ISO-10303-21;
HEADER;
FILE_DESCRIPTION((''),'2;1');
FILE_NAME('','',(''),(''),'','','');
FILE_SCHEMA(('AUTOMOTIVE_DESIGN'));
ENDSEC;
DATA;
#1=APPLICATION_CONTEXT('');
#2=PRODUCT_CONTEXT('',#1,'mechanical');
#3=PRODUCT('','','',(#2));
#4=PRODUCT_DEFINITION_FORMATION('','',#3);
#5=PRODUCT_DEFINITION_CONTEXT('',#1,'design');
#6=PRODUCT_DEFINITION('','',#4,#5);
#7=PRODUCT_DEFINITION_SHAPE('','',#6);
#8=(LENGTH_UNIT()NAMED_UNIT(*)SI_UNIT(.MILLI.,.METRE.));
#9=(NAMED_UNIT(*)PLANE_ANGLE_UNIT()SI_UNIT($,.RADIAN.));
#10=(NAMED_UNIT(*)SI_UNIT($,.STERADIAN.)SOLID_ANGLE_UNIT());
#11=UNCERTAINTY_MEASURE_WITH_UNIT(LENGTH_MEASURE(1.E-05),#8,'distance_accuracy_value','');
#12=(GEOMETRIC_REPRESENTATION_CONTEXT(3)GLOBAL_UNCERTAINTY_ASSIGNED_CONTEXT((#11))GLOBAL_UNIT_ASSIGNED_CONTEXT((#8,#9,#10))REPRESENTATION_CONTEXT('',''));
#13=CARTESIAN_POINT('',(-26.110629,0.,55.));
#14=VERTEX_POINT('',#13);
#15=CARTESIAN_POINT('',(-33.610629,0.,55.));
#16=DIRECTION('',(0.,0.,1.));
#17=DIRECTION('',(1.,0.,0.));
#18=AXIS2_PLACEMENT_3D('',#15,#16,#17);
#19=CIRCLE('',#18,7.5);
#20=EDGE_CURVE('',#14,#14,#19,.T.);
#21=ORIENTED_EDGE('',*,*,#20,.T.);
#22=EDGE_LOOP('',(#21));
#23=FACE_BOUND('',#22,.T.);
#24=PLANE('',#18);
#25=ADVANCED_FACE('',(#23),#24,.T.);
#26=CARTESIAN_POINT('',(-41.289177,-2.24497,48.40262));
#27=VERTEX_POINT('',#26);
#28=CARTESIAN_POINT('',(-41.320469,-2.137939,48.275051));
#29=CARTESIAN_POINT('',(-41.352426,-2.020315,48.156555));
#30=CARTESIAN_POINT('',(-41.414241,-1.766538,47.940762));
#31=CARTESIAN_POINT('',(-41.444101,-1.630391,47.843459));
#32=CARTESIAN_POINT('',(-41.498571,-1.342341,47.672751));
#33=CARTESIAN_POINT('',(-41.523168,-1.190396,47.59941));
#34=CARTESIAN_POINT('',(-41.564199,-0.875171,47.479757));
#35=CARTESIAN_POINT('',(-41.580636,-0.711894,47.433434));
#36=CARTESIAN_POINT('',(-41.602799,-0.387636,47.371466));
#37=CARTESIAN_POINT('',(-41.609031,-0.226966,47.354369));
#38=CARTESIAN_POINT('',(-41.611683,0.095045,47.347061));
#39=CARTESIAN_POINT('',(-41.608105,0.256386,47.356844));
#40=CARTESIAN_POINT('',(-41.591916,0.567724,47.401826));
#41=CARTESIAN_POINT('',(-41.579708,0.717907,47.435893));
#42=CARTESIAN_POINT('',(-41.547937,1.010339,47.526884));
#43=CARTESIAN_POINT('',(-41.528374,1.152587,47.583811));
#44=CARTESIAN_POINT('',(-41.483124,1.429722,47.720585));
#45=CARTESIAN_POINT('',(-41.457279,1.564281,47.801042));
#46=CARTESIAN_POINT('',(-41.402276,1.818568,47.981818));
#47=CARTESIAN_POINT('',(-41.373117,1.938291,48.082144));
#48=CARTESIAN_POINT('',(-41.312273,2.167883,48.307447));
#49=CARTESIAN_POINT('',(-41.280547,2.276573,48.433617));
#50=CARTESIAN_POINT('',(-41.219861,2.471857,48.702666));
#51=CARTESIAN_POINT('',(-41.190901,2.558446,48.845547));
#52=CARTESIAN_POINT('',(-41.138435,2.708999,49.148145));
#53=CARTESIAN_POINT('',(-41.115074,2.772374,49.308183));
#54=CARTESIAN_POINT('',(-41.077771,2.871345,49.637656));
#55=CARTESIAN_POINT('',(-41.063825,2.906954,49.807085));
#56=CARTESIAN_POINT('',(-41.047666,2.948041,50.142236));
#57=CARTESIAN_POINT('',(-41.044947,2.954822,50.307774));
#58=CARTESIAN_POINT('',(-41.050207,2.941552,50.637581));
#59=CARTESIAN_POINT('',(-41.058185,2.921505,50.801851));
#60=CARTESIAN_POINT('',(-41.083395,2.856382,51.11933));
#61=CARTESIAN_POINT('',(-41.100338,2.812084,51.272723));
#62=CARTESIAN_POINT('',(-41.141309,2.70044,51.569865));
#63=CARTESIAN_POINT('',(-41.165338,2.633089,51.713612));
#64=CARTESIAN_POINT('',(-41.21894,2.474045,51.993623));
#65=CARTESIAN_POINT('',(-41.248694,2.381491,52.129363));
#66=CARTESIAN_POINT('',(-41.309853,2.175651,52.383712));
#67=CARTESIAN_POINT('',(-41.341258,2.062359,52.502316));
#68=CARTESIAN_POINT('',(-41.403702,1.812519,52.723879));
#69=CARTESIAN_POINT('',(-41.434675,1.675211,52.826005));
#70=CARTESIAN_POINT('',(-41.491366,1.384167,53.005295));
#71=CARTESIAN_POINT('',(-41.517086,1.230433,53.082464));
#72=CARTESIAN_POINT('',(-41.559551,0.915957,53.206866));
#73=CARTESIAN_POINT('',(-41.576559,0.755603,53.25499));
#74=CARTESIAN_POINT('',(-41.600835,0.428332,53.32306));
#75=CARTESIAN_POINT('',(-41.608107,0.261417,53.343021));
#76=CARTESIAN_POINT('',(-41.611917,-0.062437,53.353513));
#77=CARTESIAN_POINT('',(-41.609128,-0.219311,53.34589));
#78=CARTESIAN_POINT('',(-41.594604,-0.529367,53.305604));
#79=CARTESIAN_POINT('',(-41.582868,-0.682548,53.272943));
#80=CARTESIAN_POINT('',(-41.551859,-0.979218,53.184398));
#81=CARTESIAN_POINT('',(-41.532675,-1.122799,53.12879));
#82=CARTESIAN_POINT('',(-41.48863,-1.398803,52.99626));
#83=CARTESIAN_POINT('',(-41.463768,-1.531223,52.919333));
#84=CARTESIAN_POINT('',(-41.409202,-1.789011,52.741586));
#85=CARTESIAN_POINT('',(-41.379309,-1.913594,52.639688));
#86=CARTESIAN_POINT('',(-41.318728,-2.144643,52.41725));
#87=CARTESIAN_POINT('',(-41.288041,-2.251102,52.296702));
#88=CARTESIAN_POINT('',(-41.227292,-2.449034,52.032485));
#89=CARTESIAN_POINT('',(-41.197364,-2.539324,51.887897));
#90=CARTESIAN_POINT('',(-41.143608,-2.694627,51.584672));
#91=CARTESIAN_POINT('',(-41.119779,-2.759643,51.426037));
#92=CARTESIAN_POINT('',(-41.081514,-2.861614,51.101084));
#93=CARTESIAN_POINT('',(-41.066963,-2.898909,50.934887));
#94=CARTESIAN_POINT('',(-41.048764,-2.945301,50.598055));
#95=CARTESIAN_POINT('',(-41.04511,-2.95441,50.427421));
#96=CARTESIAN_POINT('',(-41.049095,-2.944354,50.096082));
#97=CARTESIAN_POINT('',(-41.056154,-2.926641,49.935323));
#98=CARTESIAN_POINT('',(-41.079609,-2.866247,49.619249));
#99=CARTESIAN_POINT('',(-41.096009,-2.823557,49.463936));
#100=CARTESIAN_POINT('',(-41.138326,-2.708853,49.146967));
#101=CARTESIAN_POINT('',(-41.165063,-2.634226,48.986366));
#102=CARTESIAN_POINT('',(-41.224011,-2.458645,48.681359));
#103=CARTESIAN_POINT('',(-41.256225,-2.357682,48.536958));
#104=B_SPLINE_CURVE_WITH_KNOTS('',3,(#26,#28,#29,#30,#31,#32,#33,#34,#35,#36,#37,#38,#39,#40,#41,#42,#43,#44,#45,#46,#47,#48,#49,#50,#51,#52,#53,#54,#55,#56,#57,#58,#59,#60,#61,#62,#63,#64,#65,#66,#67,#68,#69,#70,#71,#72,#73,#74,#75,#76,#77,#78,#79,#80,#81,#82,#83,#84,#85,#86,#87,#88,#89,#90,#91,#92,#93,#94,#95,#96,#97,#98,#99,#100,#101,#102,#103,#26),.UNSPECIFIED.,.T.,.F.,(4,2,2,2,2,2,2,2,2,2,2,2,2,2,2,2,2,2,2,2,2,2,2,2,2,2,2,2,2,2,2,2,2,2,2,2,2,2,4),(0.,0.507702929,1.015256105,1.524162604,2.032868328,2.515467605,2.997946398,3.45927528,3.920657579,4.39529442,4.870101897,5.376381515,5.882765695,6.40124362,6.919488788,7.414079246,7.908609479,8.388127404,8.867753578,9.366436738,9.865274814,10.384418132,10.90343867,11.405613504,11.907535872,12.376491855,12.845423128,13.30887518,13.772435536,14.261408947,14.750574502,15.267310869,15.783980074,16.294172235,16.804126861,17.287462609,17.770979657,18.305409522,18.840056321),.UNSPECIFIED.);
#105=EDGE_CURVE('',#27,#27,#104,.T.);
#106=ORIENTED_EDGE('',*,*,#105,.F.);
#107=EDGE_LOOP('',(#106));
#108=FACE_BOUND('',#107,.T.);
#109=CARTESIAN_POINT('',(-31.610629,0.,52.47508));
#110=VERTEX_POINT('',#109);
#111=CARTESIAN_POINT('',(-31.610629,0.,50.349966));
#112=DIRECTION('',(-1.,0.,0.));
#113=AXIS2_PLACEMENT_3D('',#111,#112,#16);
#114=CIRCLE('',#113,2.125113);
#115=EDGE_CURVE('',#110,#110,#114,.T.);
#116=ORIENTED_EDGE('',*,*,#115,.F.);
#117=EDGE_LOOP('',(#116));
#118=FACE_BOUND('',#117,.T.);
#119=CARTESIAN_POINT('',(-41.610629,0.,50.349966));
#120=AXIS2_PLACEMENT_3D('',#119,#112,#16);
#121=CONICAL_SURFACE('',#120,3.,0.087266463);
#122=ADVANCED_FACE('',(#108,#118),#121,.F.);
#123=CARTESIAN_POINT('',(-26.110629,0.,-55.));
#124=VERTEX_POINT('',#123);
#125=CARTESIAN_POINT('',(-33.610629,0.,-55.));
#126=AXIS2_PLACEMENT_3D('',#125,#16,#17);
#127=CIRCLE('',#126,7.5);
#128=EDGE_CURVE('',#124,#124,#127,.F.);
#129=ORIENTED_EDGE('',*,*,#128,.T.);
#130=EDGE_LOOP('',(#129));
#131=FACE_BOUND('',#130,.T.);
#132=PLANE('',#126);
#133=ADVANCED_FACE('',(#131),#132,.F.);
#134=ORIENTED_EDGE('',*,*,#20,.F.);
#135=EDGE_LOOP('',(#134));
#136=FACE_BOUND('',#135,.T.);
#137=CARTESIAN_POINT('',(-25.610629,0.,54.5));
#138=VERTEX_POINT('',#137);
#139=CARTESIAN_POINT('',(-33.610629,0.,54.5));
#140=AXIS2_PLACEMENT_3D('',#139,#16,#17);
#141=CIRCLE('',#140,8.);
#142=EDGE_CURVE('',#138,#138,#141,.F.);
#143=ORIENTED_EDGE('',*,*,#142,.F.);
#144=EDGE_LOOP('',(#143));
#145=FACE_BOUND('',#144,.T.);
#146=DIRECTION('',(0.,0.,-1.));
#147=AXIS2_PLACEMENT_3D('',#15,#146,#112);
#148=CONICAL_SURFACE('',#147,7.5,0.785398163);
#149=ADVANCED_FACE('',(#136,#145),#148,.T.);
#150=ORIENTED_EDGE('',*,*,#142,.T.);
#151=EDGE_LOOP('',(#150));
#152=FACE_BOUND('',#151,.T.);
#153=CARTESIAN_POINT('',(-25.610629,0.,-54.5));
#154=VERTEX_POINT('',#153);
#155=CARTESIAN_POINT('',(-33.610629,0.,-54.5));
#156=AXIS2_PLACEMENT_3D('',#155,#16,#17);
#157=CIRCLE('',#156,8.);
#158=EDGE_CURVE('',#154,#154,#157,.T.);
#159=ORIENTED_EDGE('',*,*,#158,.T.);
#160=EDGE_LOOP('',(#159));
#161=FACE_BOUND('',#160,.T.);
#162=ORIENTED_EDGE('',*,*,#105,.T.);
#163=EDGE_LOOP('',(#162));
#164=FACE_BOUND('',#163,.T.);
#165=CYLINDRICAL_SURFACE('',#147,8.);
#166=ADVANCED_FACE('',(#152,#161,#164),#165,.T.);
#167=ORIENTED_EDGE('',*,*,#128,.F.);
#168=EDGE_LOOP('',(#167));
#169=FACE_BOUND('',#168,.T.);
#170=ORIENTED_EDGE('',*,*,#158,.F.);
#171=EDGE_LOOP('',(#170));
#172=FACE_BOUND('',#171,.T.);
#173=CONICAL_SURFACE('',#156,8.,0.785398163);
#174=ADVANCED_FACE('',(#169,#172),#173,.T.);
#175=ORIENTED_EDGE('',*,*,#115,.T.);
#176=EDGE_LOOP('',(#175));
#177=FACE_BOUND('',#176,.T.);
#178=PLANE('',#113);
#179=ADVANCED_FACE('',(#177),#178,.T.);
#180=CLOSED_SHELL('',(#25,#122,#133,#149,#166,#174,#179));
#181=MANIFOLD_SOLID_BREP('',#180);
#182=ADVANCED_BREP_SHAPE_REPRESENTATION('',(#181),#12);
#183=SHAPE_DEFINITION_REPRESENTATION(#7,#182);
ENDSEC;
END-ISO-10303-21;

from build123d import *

# Parameters (mm, degrees)
SZKIC1_R                    = 8
DODANIE_WYCI_GNI_CIE1_DEPTH = 55
SFAZOWANIE1_SIZE            = 0.5
SZKIC2_R                    = 3
WYTNIJ_WYCI_GNI_CIE1_DEPTH  = 10
WYTNIJ_WYCI_GNI_CIE1_TAPER  = 5


with BuildPart() as part:
    # Szkic1 → Dodanie-wyciągnięcie1 (new body, symmetric)
    with BuildSketch(Plane.XY):
        with Locations((-33.610628805, 0)):
            Circle(SZKIC1_R)
    extrude(amount=DODANIE_WYCI_GNI_CIE1_DEPTH, both=True)

    # Sfazowanie1
    sfazowanie1_edges = [part.edges().sort_by_distance(p)[0] for p in [
        (-41.610628805, 0, -55),
        (-41.610628805, 0, 55),
    ]]
    chamfer(sfazowanie1_edges, length=SFAZOWANIE1_SIZE)

    # Szkic2 → Wytnij-wyciągnięcie1 (cut)
    with BuildSketch(Plane.ZY.offset(41.610628805)):
        with Locations((50.349966255, 0)):
            Circle(SZKIC2_R)
    extrude(amount=-WYTNIJ_WYCI_GNI_CIE1_DEPTH, taper=WYTNIJ_WYCI_GNI_CIE1_TAPER, mode=Mode.SUBTRACT)


solid = part.part
